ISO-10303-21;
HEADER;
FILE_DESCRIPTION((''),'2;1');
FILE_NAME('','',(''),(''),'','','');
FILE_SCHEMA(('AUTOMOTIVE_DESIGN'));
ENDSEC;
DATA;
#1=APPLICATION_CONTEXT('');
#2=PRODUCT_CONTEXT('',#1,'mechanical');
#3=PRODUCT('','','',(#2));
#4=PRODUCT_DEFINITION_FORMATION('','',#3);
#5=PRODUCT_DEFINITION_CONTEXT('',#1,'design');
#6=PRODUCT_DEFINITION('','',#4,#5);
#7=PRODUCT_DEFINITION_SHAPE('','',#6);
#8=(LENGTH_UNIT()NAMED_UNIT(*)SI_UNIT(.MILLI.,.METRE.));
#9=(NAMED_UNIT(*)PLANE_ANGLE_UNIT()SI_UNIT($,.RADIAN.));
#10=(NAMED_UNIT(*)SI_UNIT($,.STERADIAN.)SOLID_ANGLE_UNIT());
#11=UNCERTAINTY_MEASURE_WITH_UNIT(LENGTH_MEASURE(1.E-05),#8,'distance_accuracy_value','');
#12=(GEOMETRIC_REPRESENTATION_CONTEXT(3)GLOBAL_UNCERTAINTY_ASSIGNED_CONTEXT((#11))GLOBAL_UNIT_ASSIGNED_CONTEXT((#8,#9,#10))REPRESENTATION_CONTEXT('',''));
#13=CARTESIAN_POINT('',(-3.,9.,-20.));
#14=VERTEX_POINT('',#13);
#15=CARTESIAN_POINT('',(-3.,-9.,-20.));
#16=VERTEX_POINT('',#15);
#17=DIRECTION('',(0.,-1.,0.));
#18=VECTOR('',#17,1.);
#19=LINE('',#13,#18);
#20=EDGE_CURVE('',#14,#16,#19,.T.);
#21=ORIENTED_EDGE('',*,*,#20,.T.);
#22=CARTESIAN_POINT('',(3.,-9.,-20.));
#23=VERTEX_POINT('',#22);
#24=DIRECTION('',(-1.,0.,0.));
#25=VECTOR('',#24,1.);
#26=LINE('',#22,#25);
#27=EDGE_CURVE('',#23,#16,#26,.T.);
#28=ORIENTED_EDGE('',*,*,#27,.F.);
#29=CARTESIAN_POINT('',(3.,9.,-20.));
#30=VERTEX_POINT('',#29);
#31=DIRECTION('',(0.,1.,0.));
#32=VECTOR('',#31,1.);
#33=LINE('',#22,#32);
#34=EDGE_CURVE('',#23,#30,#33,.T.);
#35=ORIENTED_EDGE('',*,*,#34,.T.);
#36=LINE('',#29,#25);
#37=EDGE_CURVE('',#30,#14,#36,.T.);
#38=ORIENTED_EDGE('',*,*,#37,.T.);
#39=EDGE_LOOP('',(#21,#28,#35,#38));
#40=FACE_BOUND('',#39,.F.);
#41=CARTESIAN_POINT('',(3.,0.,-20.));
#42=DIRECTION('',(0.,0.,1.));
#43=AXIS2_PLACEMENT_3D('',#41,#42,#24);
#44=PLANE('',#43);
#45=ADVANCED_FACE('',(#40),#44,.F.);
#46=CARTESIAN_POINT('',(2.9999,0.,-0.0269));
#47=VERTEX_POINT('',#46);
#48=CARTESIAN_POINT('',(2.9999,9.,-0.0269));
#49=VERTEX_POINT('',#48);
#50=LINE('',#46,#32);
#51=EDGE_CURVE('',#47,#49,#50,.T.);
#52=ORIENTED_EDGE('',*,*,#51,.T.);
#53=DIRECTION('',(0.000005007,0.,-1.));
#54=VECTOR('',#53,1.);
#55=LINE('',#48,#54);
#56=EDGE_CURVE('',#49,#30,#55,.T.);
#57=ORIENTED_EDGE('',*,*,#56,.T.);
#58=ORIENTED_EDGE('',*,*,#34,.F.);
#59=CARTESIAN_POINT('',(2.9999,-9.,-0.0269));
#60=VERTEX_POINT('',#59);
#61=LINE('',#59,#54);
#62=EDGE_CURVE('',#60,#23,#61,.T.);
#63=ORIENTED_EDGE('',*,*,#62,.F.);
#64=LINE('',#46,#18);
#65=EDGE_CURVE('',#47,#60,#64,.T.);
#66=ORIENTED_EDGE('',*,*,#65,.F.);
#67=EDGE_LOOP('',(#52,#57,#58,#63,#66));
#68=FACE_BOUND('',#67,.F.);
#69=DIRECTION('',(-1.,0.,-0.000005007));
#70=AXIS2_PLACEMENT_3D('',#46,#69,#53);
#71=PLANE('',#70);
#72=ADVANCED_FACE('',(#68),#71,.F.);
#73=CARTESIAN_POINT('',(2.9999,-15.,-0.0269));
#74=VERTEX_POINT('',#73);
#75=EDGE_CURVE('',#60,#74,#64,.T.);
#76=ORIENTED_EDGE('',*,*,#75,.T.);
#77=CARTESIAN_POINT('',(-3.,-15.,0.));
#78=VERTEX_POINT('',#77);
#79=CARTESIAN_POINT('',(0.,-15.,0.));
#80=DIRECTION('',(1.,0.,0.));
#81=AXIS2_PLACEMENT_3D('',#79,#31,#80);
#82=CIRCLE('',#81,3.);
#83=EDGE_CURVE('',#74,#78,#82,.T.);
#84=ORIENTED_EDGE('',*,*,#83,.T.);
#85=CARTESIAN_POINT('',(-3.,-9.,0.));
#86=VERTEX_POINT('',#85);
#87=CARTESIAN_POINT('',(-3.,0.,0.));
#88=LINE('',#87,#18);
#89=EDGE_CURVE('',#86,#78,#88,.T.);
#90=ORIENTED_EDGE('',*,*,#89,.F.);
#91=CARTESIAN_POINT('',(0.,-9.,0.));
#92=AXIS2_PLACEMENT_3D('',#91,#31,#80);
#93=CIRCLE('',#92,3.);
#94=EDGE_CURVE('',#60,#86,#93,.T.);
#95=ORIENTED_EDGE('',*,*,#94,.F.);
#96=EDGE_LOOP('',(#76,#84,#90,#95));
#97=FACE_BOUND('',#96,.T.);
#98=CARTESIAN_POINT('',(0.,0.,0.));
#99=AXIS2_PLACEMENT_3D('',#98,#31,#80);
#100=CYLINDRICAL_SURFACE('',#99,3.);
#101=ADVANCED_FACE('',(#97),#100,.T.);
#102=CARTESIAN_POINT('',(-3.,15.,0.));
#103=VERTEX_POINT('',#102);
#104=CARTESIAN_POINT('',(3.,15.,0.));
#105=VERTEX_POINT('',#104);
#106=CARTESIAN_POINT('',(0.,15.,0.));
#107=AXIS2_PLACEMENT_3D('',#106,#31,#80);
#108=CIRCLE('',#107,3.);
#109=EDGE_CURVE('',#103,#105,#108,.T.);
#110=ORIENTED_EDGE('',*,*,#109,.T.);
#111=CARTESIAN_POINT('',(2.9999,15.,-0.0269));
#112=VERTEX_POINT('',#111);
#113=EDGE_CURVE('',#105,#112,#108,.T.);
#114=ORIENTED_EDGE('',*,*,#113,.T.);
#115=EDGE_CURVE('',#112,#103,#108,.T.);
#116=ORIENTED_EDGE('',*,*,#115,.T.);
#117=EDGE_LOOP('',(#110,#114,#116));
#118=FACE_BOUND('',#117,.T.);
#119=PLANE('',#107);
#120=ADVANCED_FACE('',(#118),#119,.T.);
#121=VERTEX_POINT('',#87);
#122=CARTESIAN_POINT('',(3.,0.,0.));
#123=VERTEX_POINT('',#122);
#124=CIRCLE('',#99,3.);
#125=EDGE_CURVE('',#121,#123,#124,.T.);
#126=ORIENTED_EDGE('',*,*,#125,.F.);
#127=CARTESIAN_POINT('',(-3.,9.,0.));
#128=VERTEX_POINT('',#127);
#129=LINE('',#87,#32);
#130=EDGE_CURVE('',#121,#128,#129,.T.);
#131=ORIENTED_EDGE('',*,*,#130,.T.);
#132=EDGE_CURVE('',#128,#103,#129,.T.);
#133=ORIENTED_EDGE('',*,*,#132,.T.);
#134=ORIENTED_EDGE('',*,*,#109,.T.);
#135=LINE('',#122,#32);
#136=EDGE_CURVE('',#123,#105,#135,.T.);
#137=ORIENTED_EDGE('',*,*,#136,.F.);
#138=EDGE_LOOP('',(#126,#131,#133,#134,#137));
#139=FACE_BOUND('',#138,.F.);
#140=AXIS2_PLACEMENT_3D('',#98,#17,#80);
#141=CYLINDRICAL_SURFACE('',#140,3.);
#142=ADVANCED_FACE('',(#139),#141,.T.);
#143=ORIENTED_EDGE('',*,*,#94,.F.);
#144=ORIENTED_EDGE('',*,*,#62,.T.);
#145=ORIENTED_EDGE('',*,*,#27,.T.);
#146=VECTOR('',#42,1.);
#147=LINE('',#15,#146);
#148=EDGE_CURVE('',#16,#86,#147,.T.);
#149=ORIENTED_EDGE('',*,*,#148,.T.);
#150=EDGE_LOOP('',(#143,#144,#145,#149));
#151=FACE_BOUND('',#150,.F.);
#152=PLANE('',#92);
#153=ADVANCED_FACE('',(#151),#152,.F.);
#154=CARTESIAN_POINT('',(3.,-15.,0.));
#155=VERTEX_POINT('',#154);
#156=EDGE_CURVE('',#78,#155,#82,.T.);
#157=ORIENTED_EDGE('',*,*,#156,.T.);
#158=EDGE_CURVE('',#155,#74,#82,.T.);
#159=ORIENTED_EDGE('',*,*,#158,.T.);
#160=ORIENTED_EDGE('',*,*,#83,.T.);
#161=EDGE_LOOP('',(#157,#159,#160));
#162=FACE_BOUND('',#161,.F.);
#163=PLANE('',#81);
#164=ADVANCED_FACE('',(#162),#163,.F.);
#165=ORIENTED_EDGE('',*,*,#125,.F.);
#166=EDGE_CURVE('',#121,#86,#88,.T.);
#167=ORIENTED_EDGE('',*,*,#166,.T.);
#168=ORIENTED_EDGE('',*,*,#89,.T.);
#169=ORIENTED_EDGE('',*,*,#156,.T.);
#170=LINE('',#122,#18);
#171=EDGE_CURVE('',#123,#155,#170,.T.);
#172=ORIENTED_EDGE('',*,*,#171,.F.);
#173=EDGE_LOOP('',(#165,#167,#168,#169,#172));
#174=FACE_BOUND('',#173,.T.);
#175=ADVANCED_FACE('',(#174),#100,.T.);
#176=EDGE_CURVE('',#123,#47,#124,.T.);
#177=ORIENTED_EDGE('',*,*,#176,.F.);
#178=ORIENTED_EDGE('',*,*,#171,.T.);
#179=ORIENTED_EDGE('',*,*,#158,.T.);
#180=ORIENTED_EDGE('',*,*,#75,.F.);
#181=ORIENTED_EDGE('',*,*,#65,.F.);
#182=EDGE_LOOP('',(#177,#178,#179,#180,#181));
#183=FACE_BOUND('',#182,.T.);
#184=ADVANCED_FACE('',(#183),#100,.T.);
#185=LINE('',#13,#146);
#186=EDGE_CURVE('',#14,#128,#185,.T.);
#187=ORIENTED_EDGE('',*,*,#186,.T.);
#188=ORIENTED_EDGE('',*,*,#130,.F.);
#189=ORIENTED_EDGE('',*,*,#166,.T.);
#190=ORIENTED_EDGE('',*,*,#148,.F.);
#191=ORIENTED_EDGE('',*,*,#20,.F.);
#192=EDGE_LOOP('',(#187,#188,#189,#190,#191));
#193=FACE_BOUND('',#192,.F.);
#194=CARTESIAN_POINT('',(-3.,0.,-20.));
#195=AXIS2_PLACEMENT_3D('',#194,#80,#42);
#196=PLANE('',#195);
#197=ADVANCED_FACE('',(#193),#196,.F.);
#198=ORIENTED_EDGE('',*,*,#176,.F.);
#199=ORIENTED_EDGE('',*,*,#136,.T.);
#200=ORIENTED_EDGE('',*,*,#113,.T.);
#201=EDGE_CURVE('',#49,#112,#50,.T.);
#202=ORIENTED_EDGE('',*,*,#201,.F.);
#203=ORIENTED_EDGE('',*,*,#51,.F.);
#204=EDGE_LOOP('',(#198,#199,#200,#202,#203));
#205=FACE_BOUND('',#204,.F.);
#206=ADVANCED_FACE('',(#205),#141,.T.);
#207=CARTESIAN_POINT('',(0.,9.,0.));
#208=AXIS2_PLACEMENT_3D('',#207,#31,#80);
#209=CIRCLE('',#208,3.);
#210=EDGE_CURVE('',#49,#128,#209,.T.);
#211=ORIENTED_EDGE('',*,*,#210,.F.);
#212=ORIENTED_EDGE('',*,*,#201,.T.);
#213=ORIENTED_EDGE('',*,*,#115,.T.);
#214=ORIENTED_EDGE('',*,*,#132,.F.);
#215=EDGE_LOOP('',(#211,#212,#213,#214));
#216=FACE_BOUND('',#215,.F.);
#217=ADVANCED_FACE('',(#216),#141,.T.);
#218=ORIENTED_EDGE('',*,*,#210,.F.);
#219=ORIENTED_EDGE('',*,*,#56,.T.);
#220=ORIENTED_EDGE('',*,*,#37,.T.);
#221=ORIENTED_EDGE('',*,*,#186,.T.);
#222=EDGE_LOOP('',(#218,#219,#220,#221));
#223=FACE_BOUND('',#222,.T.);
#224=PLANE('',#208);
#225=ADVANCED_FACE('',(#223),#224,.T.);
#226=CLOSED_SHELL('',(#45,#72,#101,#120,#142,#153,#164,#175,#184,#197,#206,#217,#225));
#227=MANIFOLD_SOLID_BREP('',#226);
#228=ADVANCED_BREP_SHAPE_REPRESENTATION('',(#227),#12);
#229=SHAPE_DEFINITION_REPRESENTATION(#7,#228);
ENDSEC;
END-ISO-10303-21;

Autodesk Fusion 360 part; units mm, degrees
sketch "Sketch1" plane through (0, 0, 0) normal (0, 1, 0) x (1, 0, 0)
  circle A0 centre (0, 0) radius 3
  line L0 (2.9999, 0.0269) -> (3, 0.0269)
  line L1 (3, 0.0269) -> (3, 20)
  line L2 (3, 20) -> (-3, 20)
  line L3 (-3, 20) -> (-3, 0)
  dimension "d1" = 6
  dimension "d2" = 6
  dimension "d3" = 20
extrude "Extrude1" add sketch "Sketch1" along normal mid plane 30 contours A0 makes body 1
extrude "Extrude2" add sketch "Sketch1" along normal mid plane 18 contours A0 L1 L2 L3 bodies 1
copy_body "Body->Comp1" bodies 1 removing the originals makes body 2 in component "Component"
component "Component" placed x (1, 0, 0) y (0, 1, 0) z (0, 0, 1) at (0, 0, 0)
